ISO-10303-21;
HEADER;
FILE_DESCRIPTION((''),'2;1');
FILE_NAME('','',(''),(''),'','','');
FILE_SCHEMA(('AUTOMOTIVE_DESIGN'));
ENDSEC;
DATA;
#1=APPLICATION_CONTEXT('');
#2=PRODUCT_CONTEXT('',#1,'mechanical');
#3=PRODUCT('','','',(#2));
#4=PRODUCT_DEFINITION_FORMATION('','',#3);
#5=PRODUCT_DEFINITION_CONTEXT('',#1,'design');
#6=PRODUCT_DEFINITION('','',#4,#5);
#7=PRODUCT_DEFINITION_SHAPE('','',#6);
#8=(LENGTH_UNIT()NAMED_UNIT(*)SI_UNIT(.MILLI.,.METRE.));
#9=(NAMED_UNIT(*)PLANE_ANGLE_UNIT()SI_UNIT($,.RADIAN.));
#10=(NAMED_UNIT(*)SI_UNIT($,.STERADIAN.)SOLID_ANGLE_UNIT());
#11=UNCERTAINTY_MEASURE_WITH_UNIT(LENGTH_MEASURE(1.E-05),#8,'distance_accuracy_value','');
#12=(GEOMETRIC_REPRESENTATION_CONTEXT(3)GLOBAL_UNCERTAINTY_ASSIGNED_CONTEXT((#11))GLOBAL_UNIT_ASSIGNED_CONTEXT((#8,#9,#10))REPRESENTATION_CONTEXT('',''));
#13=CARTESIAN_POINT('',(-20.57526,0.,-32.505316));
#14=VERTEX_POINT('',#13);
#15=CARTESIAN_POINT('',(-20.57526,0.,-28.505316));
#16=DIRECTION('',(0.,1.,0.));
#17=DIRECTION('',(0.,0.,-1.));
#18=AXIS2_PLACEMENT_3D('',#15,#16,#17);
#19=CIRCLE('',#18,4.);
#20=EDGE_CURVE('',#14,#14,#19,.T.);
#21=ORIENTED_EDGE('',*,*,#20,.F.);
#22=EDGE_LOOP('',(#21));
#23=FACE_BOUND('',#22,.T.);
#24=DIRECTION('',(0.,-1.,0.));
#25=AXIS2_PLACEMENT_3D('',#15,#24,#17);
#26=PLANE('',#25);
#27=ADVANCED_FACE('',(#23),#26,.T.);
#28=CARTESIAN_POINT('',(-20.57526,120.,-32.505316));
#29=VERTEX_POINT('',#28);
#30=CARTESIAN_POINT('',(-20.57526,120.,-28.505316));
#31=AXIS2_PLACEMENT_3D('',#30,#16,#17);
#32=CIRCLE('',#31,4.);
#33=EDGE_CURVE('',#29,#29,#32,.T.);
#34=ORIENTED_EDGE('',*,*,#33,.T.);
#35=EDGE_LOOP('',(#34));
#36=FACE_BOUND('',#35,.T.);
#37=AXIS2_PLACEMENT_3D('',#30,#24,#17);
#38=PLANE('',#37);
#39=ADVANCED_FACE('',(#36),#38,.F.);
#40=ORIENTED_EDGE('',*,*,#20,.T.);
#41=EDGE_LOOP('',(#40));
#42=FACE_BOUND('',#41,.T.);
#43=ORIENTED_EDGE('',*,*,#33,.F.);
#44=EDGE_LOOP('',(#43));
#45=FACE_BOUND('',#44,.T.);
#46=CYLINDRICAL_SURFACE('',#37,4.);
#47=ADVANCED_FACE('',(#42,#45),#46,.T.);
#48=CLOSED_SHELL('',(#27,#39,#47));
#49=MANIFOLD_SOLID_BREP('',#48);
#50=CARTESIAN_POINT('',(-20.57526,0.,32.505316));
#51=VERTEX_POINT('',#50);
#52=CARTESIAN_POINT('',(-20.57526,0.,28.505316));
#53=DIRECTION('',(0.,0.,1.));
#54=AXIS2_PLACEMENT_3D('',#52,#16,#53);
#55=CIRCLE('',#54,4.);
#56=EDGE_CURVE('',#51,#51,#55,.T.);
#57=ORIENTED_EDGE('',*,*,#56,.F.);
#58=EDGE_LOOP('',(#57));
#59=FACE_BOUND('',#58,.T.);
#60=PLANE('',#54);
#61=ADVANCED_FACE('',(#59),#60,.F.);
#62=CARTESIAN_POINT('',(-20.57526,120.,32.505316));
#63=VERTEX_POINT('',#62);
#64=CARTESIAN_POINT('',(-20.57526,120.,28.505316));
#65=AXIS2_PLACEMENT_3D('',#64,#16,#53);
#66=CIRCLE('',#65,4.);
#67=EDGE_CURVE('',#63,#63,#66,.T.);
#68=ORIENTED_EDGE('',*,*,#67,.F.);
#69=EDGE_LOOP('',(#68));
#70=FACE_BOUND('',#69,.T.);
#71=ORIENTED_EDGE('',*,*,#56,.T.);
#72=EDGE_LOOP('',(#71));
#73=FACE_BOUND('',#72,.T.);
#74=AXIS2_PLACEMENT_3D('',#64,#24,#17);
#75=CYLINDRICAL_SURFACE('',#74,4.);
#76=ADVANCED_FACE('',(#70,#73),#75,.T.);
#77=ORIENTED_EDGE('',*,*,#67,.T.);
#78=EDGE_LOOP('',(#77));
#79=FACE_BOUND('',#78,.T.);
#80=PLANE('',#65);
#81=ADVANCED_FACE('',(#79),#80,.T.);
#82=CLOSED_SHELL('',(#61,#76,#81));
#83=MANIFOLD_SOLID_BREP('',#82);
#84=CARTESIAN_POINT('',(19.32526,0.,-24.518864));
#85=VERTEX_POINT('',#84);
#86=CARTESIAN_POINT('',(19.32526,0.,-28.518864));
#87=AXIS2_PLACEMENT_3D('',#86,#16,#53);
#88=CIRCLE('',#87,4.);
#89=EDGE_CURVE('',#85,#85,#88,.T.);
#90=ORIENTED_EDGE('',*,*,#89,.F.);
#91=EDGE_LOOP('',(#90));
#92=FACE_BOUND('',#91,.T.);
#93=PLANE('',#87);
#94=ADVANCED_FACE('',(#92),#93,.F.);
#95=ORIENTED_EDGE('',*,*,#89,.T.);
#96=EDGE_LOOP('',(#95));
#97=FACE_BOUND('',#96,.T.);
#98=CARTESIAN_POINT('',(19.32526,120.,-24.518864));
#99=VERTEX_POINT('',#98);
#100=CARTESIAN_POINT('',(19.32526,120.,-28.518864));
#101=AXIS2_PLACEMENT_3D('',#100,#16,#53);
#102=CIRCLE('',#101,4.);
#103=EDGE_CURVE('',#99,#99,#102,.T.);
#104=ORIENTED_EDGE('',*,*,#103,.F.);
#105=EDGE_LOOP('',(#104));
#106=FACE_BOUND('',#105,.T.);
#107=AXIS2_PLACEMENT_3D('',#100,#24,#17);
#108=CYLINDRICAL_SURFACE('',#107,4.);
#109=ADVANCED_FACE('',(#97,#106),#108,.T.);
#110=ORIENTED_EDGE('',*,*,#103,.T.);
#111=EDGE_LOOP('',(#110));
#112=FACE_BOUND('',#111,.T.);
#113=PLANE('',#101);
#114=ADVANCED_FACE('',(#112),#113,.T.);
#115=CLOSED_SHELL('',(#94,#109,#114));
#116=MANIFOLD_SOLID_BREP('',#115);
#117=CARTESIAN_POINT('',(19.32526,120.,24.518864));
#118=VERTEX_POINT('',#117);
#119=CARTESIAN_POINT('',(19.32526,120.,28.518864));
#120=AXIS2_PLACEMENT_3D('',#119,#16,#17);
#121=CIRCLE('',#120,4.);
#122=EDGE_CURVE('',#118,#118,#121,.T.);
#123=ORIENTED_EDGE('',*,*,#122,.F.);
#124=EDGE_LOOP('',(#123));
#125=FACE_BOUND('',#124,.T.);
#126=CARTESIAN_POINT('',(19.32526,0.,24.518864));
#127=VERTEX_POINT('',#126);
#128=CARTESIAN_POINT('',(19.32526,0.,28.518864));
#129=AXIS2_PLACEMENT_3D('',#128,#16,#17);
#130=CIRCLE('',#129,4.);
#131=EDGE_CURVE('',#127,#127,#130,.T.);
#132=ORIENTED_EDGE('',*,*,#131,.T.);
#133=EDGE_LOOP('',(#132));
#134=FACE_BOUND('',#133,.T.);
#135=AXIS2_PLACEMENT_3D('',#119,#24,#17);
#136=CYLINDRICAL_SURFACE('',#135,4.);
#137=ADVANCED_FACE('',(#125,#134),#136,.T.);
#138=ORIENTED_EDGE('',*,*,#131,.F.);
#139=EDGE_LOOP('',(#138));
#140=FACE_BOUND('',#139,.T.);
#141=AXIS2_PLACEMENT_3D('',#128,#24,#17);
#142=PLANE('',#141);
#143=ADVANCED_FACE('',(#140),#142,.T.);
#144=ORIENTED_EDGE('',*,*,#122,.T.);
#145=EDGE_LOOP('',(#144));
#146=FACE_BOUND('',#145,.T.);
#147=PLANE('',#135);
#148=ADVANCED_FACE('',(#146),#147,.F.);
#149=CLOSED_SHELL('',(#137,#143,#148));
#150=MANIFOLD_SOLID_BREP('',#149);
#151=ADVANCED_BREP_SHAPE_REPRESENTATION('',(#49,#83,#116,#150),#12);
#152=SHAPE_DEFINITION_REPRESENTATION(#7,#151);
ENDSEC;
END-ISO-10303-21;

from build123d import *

# Parameters (mm, degrees)
SKETCH2_R             = 4
BOSS_EXTRUDE1_DEPTH   = 120
BOSS_EXTRUDE1_2_DEPTH = 120
BOSS_EXTRUDE1_3_DEPTH = 120
BOSS_EXTRUDE1_4_DEPTH = 120


with BuildPart() as part:
    # Sketch2 → Boss-Extrude1 (new body)
    with BuildSketch(Plane(origin=(0, 0, 0), x_dir=(1, 0, 0), z_dir=(0, 1, 0))):
        with Locations((19.325260187, 28.518864445)):
            Circle(SKETCH2_R)
    extrude(amount=BOSS_EXTRUDE1_DEPTH)


with BuildPart() as body_2:
    # Sketch2 → Boss-Extrude1 2 (new body)
    with BuildSketch(Plane(origin=(0, 0, 0), x_dir=(1, 0, 0), z_dir=(0, 1, 0))):
        with Locations((-20.575260187, 28.505316266)):
            Circle(SKETCH2_R)
    extrude(amount=BOSS_EXTRUDE1_2_DEPTH)


with BuildPart() as body_3:
    # Sketch2 → Boss-Extrude1 3 (new body)
    with BuildSketch(Plane(origin=(0, 0, 0), x_dir=(1, 0, 0), z_dir=(0, 1, 0))):
        with Locations((19.325260187, -28.518864445)):
            Circle(SKETCH2_R)
    extrude(amount=BOSS_EXTRUDE1_3_DEPTH)


with BuildPart() as body_4:
    # Sketch2 → Boss-Extrude1 4 (new body)
    with BuildSketch(Plane(origin=(0, 0, 0), x_dir=(1, 0, 0), z_dir=(0, 1, 0))):
        with Locations((-20.575260187, -28.505316266)):
            Circle(SKETCH2_R)
    extrude(amount=BOSS_EXTRUDE1_4_DEPTH)


solid = Compound([part.part, body_2.part, body_3.part, body_4.part])
